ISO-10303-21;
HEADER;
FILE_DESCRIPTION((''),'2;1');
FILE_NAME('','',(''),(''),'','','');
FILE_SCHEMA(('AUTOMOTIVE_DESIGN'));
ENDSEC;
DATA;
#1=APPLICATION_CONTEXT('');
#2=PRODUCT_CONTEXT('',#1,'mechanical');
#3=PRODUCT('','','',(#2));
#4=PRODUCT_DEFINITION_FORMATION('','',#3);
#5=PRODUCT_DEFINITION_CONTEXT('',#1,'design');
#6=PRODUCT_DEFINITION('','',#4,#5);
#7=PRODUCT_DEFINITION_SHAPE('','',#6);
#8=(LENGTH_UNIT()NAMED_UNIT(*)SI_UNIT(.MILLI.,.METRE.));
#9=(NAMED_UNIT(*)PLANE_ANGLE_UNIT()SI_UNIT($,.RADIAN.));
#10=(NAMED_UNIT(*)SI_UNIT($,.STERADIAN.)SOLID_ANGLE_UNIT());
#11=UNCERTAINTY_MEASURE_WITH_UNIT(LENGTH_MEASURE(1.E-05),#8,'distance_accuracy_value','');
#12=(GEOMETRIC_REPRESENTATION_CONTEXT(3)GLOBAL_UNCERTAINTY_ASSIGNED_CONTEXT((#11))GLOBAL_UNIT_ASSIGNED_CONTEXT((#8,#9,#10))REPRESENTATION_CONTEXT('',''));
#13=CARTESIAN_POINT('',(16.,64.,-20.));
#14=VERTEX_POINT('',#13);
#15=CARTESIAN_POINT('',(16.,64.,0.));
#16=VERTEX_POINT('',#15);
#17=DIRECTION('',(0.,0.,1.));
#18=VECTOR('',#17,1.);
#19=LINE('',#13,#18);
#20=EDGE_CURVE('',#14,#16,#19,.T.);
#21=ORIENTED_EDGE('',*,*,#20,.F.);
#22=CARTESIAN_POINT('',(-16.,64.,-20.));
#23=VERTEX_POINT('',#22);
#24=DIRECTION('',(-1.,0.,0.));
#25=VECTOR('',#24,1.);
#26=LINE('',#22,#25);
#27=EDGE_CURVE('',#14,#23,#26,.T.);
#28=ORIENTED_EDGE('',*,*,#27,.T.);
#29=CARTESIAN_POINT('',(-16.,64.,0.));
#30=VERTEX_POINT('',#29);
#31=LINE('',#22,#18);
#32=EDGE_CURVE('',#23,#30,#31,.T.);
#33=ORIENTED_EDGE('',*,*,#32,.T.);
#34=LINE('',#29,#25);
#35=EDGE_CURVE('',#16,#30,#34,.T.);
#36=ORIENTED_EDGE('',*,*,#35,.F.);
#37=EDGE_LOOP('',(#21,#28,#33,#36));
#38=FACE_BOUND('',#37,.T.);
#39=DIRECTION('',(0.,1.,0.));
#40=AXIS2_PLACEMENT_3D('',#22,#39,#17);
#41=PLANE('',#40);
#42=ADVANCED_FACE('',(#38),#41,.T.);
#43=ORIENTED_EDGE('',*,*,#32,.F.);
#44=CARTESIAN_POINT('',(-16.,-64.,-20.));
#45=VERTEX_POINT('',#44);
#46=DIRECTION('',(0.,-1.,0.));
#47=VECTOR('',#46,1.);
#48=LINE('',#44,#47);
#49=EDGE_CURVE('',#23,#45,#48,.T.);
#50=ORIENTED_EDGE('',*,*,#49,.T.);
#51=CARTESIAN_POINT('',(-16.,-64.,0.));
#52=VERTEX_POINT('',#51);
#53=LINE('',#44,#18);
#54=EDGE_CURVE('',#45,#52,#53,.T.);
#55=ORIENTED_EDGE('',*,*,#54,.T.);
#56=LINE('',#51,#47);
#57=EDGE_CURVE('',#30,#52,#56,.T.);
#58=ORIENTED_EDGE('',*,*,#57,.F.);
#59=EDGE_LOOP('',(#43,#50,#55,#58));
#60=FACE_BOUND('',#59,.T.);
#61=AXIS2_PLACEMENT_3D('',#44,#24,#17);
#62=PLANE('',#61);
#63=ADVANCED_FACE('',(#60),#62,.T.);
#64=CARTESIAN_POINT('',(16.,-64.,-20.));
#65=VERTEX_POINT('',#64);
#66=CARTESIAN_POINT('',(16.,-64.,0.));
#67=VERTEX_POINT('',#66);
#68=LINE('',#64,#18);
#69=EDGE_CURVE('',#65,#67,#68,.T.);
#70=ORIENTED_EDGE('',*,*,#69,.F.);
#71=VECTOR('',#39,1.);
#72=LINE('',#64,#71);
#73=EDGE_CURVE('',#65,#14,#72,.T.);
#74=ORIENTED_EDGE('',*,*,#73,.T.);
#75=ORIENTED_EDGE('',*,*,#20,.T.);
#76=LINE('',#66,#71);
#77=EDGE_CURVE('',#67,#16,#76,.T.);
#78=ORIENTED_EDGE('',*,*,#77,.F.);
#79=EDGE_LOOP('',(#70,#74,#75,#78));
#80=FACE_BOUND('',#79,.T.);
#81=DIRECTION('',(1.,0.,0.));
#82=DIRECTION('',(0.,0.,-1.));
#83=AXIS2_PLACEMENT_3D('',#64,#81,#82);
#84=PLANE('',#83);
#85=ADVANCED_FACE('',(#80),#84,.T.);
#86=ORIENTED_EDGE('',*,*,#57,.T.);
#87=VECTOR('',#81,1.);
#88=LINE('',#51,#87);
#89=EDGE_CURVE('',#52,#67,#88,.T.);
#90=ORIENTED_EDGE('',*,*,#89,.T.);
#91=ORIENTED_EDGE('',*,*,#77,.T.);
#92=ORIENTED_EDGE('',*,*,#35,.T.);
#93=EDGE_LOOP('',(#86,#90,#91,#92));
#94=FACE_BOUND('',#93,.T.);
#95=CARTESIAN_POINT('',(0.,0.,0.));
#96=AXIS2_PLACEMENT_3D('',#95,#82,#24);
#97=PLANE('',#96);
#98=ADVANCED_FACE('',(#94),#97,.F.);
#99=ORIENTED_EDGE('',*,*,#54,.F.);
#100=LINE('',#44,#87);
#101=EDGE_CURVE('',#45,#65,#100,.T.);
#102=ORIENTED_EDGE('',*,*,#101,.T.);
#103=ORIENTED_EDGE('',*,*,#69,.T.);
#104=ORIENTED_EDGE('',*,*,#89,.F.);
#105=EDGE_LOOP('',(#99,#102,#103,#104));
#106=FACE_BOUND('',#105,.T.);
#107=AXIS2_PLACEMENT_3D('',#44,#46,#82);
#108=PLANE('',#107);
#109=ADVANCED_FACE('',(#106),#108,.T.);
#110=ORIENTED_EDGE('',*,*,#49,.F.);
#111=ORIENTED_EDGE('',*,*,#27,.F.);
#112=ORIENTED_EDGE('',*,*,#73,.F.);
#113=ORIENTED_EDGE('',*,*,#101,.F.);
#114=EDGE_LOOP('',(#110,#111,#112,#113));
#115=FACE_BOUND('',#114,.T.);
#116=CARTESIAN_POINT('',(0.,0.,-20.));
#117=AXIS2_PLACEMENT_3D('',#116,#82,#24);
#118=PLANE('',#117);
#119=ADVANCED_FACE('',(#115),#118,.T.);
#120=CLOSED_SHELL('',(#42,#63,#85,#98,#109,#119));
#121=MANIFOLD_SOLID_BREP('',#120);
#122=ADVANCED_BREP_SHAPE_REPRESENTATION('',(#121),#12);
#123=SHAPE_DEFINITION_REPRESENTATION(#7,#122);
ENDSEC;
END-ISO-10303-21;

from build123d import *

# Parameters (mm, degrees)
SKETCH_1_W      = 32
SKETCH_1_H      = 128
EXTRUDE_1_DEPTH = 20


with BuildPart() as part:
    # 草图1 → 凸台-拉伸1 (new body)
    with BuildSketch(Plane.XY):
        Rectangle(SKETCH_1_W, SKETCH_1_H)
    extrude(amount=-EXTRUDE_1_DEPTH)


solid = part.part
